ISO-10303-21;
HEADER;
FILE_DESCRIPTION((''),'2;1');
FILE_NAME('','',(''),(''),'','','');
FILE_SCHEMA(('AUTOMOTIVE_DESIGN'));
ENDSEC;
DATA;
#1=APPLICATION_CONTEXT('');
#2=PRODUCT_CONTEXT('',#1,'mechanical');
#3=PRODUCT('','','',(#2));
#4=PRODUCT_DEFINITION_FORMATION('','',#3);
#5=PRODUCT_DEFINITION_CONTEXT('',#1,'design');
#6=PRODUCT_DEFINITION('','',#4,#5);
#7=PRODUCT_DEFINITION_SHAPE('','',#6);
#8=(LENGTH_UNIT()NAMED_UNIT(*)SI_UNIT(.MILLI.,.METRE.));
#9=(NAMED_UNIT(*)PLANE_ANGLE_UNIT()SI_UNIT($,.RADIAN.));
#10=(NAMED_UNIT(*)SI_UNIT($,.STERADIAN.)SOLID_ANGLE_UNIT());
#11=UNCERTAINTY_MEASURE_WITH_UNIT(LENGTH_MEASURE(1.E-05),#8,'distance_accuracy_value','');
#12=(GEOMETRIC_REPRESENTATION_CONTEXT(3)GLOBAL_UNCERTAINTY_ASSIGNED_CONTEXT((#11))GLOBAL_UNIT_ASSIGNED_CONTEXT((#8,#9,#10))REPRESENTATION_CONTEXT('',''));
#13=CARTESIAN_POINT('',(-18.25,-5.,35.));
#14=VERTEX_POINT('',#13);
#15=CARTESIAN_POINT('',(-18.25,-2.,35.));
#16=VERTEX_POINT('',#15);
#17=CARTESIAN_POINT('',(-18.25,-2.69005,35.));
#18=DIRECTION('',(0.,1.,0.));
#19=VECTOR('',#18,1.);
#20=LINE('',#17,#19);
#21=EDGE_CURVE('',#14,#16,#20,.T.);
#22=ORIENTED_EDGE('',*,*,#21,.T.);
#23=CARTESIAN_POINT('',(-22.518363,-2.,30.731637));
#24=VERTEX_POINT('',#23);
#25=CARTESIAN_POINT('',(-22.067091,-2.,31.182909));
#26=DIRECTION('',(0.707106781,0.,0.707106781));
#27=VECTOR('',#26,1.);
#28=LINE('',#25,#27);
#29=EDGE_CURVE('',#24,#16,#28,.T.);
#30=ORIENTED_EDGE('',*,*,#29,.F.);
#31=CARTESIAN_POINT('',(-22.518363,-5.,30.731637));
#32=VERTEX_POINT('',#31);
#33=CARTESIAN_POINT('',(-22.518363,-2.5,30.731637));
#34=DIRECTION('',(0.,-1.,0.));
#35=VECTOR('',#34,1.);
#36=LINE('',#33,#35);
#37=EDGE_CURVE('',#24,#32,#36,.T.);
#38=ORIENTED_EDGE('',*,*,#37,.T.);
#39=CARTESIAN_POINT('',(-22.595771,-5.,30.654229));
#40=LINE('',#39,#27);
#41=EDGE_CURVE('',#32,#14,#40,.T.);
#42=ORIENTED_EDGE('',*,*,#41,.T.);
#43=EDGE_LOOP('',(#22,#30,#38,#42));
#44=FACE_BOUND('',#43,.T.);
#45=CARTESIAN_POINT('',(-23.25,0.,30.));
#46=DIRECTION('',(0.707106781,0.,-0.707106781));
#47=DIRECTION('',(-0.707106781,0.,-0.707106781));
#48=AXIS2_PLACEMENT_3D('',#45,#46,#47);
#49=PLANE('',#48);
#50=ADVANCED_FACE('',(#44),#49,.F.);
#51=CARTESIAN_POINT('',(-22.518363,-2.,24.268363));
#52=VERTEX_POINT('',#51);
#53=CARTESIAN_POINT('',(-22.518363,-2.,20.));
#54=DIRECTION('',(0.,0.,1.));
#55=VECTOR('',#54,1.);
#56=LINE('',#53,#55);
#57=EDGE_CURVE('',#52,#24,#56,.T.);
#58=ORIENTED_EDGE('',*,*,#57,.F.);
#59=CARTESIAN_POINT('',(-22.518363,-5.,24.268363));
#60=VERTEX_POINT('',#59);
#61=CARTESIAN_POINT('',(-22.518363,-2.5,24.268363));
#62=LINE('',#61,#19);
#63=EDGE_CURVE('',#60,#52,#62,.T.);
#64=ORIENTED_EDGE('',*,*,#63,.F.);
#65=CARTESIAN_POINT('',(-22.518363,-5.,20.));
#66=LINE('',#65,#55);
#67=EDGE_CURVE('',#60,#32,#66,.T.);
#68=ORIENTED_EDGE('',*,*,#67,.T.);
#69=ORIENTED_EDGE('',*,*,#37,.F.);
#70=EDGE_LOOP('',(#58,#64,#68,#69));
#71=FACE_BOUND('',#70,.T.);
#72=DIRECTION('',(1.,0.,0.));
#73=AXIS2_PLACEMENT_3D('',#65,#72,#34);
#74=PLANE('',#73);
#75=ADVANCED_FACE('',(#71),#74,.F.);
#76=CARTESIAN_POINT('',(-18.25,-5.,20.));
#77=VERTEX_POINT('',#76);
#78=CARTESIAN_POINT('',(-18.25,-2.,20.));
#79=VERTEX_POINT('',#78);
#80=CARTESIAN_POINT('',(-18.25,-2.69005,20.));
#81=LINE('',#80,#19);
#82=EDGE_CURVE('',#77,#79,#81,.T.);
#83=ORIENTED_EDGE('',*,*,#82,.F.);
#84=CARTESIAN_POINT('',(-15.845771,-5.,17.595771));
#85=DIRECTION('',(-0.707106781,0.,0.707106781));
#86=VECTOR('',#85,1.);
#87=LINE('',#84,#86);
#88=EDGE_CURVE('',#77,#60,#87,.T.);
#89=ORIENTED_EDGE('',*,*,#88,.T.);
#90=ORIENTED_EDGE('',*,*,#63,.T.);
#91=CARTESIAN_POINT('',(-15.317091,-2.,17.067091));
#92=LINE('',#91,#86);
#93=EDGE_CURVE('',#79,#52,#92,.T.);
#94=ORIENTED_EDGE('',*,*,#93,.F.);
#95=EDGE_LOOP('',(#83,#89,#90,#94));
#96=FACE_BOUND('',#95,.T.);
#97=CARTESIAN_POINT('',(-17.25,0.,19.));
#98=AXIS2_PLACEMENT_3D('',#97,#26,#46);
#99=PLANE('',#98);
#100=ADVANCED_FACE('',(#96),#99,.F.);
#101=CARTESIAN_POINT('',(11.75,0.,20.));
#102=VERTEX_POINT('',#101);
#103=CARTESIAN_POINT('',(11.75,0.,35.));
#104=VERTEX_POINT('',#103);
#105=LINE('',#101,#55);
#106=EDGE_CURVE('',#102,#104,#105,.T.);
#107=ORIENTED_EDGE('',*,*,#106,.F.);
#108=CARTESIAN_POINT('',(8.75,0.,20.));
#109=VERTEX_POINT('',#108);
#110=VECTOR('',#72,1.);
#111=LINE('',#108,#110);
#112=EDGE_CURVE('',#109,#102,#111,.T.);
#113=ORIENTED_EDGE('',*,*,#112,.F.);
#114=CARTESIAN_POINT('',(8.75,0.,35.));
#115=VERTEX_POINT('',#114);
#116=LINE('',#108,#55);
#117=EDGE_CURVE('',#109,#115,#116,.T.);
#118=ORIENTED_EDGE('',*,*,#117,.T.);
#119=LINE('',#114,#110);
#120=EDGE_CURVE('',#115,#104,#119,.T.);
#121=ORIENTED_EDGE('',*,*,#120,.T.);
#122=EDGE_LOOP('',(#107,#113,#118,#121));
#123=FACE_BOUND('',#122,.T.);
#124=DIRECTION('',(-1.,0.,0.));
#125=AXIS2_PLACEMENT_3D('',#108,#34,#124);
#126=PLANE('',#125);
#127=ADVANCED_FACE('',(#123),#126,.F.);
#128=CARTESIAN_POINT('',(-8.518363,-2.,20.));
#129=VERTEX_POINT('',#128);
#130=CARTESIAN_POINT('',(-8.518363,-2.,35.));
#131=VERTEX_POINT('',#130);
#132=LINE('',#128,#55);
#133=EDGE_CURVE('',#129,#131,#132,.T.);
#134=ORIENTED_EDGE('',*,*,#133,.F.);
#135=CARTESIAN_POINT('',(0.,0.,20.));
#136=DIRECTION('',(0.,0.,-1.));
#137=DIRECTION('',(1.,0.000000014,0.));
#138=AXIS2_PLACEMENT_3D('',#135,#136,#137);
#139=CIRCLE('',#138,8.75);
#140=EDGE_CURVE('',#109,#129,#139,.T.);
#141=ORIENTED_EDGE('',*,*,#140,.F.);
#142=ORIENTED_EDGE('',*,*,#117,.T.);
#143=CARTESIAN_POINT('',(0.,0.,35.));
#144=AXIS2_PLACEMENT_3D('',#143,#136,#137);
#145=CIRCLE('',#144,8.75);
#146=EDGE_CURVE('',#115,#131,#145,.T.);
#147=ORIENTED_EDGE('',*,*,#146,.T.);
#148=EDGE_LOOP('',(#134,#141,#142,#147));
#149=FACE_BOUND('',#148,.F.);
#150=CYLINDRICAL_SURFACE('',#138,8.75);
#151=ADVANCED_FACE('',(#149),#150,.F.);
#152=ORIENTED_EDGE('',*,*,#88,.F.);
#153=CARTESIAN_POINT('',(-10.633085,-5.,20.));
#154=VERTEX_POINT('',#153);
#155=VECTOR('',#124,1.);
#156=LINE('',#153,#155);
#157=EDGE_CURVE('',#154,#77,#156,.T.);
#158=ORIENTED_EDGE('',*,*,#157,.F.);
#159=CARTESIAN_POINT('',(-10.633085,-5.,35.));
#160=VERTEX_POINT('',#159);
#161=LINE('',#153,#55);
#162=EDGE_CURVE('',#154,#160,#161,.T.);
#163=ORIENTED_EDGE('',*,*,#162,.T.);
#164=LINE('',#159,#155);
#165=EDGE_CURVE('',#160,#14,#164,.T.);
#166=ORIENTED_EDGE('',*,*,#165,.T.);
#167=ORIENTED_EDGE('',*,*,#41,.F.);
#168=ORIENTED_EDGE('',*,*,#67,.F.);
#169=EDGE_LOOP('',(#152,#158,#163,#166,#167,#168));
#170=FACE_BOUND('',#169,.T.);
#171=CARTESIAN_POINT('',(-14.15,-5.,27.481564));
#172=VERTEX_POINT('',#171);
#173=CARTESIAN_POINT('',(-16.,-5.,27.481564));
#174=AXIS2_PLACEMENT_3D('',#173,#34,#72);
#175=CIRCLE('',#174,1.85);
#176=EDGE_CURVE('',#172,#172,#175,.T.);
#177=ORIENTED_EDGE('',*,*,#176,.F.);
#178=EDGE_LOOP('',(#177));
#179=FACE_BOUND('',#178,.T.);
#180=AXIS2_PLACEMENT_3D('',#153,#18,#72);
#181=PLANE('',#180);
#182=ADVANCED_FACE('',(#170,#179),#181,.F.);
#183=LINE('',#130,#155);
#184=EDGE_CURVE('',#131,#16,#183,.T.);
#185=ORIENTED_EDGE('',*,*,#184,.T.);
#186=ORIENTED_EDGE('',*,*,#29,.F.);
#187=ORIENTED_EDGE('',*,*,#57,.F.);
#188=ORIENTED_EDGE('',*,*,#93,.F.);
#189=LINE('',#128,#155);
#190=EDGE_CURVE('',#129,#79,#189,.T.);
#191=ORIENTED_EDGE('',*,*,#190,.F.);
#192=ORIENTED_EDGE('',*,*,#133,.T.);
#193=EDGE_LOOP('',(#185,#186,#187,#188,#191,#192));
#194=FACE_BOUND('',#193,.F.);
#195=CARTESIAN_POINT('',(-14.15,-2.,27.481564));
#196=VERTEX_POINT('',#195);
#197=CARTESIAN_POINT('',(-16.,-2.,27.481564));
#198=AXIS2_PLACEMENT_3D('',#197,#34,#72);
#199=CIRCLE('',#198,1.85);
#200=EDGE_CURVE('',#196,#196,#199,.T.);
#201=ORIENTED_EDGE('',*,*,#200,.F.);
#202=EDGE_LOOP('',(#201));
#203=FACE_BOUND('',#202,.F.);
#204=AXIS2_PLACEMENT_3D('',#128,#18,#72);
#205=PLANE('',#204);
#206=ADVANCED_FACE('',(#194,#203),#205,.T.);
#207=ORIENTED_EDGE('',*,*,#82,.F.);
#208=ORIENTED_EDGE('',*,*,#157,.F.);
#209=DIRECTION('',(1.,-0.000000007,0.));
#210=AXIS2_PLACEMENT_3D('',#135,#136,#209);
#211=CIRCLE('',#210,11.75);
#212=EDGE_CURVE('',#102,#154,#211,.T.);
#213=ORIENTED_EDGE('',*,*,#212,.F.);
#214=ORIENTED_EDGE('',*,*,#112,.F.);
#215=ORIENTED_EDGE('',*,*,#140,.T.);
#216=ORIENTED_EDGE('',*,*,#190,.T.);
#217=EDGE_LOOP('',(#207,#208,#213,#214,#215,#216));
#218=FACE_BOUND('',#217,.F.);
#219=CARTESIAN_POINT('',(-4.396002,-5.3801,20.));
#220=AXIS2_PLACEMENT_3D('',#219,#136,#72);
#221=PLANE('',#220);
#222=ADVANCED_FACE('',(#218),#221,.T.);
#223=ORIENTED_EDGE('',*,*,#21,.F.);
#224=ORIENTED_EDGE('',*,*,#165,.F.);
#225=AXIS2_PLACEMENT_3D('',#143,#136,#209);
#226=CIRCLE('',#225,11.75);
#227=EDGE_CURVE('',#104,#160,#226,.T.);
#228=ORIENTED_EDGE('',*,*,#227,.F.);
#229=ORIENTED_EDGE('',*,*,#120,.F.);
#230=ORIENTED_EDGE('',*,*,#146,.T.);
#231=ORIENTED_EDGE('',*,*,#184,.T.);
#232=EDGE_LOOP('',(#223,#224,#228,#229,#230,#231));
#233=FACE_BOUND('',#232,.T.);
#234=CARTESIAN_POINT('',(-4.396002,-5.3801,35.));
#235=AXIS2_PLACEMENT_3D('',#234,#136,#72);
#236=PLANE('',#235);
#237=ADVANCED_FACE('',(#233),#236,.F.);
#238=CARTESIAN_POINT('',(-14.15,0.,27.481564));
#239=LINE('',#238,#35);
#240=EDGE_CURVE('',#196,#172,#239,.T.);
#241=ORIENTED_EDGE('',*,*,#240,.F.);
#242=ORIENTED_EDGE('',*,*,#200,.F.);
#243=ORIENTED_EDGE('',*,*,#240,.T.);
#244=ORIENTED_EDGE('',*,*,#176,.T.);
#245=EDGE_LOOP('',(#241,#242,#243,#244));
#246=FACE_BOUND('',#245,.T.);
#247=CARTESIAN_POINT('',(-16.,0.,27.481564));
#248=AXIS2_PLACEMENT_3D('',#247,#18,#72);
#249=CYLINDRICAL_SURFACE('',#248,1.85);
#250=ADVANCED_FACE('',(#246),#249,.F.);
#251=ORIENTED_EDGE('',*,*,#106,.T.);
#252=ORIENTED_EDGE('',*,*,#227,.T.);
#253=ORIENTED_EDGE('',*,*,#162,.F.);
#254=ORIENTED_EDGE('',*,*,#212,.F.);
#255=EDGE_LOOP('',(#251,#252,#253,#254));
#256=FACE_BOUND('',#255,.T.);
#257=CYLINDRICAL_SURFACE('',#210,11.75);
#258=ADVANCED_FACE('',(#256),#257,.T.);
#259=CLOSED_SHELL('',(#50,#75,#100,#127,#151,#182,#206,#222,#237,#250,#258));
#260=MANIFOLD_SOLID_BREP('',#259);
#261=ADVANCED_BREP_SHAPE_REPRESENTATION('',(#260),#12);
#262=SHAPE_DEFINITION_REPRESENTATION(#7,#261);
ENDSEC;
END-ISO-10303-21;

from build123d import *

# Parameters (mm, degrees)
SKETCH017_R       = 1.85
EXTRUDE014_DEPTH  = 12
CYLINDER007_R     = 5
CYLINDER007_DEPTH = 1
EXTRUDE013_DEPTH  = 15


with BuildPart() as extrude014:
    # Sketch017 → Extrude014 (new body)
    with BuildSketch(Plane.XZ):
        Polygon((11.75, 36), (11.75, 19), (-17.25, 19), (-23.25, 25), (-23.25, 30), (-17.25, 36), align=None)
        with Locations((-16, 27.481564)):
            Circle(SKETCH017_R, mode=Mode.SUBTRACT)
    extrude(amount=-EXTRUDE014_DEPTH)


with BuildPart() as unprintable:
    # Cylinder007 → Cylinder007 (new body)
    with BuildSketch(Plane(origin=(-16, 18, 27.5), x_dir=(1, 0, 0), z_dir=(0, -1, 0))):
        Circle(CYLINDER007_R)
    extrude(amount=CYLINDER007_DEPTH)


with BuildPart() as body007:
    # Sketch018 → Extrude013 (new body)
    with BuildSketch(Plane.XY.offset(50)):
        with BuildLine():
            ThreePointArc((8.75, 0), (1.006685, 8.691898), (-8.518363, 2))
            Line((-8.518363, 2), (-22.518363, 2))
            Line((-22.518363, 5), (-22.518363, 2))
            Line((-10.633085, 5), (-22.518363, 5))
            ThreePointArc((11.75, 0), (2.561616, 11.467372), (-10.633085, 5))
            Line((8.75, 0), (11.75, 0))
        make_face()
    extrude(amount=EXTRUDE013_DEPTH)


with BuildPart() as body007_1:
    # Extrude013 placement: moved
    add(body007.part.moved(Location((0, 0, -30))))

    # Fusion016: union unprintable
    add(unprintable.part)

    # Common001: intersect Extrude014
    add(extrude014.part, mode=Mode.INTERSECT)


with BuildPart() as part_mirroring008:
    # Part__Mirroring008: instance of Body007
    add(body007_1.part.mirror(Plane(origin=(0, 0, 0), x_dir=(1, 0, 0), z_dir=(0, 1, 0))))


solid = part_mirroring008.part
